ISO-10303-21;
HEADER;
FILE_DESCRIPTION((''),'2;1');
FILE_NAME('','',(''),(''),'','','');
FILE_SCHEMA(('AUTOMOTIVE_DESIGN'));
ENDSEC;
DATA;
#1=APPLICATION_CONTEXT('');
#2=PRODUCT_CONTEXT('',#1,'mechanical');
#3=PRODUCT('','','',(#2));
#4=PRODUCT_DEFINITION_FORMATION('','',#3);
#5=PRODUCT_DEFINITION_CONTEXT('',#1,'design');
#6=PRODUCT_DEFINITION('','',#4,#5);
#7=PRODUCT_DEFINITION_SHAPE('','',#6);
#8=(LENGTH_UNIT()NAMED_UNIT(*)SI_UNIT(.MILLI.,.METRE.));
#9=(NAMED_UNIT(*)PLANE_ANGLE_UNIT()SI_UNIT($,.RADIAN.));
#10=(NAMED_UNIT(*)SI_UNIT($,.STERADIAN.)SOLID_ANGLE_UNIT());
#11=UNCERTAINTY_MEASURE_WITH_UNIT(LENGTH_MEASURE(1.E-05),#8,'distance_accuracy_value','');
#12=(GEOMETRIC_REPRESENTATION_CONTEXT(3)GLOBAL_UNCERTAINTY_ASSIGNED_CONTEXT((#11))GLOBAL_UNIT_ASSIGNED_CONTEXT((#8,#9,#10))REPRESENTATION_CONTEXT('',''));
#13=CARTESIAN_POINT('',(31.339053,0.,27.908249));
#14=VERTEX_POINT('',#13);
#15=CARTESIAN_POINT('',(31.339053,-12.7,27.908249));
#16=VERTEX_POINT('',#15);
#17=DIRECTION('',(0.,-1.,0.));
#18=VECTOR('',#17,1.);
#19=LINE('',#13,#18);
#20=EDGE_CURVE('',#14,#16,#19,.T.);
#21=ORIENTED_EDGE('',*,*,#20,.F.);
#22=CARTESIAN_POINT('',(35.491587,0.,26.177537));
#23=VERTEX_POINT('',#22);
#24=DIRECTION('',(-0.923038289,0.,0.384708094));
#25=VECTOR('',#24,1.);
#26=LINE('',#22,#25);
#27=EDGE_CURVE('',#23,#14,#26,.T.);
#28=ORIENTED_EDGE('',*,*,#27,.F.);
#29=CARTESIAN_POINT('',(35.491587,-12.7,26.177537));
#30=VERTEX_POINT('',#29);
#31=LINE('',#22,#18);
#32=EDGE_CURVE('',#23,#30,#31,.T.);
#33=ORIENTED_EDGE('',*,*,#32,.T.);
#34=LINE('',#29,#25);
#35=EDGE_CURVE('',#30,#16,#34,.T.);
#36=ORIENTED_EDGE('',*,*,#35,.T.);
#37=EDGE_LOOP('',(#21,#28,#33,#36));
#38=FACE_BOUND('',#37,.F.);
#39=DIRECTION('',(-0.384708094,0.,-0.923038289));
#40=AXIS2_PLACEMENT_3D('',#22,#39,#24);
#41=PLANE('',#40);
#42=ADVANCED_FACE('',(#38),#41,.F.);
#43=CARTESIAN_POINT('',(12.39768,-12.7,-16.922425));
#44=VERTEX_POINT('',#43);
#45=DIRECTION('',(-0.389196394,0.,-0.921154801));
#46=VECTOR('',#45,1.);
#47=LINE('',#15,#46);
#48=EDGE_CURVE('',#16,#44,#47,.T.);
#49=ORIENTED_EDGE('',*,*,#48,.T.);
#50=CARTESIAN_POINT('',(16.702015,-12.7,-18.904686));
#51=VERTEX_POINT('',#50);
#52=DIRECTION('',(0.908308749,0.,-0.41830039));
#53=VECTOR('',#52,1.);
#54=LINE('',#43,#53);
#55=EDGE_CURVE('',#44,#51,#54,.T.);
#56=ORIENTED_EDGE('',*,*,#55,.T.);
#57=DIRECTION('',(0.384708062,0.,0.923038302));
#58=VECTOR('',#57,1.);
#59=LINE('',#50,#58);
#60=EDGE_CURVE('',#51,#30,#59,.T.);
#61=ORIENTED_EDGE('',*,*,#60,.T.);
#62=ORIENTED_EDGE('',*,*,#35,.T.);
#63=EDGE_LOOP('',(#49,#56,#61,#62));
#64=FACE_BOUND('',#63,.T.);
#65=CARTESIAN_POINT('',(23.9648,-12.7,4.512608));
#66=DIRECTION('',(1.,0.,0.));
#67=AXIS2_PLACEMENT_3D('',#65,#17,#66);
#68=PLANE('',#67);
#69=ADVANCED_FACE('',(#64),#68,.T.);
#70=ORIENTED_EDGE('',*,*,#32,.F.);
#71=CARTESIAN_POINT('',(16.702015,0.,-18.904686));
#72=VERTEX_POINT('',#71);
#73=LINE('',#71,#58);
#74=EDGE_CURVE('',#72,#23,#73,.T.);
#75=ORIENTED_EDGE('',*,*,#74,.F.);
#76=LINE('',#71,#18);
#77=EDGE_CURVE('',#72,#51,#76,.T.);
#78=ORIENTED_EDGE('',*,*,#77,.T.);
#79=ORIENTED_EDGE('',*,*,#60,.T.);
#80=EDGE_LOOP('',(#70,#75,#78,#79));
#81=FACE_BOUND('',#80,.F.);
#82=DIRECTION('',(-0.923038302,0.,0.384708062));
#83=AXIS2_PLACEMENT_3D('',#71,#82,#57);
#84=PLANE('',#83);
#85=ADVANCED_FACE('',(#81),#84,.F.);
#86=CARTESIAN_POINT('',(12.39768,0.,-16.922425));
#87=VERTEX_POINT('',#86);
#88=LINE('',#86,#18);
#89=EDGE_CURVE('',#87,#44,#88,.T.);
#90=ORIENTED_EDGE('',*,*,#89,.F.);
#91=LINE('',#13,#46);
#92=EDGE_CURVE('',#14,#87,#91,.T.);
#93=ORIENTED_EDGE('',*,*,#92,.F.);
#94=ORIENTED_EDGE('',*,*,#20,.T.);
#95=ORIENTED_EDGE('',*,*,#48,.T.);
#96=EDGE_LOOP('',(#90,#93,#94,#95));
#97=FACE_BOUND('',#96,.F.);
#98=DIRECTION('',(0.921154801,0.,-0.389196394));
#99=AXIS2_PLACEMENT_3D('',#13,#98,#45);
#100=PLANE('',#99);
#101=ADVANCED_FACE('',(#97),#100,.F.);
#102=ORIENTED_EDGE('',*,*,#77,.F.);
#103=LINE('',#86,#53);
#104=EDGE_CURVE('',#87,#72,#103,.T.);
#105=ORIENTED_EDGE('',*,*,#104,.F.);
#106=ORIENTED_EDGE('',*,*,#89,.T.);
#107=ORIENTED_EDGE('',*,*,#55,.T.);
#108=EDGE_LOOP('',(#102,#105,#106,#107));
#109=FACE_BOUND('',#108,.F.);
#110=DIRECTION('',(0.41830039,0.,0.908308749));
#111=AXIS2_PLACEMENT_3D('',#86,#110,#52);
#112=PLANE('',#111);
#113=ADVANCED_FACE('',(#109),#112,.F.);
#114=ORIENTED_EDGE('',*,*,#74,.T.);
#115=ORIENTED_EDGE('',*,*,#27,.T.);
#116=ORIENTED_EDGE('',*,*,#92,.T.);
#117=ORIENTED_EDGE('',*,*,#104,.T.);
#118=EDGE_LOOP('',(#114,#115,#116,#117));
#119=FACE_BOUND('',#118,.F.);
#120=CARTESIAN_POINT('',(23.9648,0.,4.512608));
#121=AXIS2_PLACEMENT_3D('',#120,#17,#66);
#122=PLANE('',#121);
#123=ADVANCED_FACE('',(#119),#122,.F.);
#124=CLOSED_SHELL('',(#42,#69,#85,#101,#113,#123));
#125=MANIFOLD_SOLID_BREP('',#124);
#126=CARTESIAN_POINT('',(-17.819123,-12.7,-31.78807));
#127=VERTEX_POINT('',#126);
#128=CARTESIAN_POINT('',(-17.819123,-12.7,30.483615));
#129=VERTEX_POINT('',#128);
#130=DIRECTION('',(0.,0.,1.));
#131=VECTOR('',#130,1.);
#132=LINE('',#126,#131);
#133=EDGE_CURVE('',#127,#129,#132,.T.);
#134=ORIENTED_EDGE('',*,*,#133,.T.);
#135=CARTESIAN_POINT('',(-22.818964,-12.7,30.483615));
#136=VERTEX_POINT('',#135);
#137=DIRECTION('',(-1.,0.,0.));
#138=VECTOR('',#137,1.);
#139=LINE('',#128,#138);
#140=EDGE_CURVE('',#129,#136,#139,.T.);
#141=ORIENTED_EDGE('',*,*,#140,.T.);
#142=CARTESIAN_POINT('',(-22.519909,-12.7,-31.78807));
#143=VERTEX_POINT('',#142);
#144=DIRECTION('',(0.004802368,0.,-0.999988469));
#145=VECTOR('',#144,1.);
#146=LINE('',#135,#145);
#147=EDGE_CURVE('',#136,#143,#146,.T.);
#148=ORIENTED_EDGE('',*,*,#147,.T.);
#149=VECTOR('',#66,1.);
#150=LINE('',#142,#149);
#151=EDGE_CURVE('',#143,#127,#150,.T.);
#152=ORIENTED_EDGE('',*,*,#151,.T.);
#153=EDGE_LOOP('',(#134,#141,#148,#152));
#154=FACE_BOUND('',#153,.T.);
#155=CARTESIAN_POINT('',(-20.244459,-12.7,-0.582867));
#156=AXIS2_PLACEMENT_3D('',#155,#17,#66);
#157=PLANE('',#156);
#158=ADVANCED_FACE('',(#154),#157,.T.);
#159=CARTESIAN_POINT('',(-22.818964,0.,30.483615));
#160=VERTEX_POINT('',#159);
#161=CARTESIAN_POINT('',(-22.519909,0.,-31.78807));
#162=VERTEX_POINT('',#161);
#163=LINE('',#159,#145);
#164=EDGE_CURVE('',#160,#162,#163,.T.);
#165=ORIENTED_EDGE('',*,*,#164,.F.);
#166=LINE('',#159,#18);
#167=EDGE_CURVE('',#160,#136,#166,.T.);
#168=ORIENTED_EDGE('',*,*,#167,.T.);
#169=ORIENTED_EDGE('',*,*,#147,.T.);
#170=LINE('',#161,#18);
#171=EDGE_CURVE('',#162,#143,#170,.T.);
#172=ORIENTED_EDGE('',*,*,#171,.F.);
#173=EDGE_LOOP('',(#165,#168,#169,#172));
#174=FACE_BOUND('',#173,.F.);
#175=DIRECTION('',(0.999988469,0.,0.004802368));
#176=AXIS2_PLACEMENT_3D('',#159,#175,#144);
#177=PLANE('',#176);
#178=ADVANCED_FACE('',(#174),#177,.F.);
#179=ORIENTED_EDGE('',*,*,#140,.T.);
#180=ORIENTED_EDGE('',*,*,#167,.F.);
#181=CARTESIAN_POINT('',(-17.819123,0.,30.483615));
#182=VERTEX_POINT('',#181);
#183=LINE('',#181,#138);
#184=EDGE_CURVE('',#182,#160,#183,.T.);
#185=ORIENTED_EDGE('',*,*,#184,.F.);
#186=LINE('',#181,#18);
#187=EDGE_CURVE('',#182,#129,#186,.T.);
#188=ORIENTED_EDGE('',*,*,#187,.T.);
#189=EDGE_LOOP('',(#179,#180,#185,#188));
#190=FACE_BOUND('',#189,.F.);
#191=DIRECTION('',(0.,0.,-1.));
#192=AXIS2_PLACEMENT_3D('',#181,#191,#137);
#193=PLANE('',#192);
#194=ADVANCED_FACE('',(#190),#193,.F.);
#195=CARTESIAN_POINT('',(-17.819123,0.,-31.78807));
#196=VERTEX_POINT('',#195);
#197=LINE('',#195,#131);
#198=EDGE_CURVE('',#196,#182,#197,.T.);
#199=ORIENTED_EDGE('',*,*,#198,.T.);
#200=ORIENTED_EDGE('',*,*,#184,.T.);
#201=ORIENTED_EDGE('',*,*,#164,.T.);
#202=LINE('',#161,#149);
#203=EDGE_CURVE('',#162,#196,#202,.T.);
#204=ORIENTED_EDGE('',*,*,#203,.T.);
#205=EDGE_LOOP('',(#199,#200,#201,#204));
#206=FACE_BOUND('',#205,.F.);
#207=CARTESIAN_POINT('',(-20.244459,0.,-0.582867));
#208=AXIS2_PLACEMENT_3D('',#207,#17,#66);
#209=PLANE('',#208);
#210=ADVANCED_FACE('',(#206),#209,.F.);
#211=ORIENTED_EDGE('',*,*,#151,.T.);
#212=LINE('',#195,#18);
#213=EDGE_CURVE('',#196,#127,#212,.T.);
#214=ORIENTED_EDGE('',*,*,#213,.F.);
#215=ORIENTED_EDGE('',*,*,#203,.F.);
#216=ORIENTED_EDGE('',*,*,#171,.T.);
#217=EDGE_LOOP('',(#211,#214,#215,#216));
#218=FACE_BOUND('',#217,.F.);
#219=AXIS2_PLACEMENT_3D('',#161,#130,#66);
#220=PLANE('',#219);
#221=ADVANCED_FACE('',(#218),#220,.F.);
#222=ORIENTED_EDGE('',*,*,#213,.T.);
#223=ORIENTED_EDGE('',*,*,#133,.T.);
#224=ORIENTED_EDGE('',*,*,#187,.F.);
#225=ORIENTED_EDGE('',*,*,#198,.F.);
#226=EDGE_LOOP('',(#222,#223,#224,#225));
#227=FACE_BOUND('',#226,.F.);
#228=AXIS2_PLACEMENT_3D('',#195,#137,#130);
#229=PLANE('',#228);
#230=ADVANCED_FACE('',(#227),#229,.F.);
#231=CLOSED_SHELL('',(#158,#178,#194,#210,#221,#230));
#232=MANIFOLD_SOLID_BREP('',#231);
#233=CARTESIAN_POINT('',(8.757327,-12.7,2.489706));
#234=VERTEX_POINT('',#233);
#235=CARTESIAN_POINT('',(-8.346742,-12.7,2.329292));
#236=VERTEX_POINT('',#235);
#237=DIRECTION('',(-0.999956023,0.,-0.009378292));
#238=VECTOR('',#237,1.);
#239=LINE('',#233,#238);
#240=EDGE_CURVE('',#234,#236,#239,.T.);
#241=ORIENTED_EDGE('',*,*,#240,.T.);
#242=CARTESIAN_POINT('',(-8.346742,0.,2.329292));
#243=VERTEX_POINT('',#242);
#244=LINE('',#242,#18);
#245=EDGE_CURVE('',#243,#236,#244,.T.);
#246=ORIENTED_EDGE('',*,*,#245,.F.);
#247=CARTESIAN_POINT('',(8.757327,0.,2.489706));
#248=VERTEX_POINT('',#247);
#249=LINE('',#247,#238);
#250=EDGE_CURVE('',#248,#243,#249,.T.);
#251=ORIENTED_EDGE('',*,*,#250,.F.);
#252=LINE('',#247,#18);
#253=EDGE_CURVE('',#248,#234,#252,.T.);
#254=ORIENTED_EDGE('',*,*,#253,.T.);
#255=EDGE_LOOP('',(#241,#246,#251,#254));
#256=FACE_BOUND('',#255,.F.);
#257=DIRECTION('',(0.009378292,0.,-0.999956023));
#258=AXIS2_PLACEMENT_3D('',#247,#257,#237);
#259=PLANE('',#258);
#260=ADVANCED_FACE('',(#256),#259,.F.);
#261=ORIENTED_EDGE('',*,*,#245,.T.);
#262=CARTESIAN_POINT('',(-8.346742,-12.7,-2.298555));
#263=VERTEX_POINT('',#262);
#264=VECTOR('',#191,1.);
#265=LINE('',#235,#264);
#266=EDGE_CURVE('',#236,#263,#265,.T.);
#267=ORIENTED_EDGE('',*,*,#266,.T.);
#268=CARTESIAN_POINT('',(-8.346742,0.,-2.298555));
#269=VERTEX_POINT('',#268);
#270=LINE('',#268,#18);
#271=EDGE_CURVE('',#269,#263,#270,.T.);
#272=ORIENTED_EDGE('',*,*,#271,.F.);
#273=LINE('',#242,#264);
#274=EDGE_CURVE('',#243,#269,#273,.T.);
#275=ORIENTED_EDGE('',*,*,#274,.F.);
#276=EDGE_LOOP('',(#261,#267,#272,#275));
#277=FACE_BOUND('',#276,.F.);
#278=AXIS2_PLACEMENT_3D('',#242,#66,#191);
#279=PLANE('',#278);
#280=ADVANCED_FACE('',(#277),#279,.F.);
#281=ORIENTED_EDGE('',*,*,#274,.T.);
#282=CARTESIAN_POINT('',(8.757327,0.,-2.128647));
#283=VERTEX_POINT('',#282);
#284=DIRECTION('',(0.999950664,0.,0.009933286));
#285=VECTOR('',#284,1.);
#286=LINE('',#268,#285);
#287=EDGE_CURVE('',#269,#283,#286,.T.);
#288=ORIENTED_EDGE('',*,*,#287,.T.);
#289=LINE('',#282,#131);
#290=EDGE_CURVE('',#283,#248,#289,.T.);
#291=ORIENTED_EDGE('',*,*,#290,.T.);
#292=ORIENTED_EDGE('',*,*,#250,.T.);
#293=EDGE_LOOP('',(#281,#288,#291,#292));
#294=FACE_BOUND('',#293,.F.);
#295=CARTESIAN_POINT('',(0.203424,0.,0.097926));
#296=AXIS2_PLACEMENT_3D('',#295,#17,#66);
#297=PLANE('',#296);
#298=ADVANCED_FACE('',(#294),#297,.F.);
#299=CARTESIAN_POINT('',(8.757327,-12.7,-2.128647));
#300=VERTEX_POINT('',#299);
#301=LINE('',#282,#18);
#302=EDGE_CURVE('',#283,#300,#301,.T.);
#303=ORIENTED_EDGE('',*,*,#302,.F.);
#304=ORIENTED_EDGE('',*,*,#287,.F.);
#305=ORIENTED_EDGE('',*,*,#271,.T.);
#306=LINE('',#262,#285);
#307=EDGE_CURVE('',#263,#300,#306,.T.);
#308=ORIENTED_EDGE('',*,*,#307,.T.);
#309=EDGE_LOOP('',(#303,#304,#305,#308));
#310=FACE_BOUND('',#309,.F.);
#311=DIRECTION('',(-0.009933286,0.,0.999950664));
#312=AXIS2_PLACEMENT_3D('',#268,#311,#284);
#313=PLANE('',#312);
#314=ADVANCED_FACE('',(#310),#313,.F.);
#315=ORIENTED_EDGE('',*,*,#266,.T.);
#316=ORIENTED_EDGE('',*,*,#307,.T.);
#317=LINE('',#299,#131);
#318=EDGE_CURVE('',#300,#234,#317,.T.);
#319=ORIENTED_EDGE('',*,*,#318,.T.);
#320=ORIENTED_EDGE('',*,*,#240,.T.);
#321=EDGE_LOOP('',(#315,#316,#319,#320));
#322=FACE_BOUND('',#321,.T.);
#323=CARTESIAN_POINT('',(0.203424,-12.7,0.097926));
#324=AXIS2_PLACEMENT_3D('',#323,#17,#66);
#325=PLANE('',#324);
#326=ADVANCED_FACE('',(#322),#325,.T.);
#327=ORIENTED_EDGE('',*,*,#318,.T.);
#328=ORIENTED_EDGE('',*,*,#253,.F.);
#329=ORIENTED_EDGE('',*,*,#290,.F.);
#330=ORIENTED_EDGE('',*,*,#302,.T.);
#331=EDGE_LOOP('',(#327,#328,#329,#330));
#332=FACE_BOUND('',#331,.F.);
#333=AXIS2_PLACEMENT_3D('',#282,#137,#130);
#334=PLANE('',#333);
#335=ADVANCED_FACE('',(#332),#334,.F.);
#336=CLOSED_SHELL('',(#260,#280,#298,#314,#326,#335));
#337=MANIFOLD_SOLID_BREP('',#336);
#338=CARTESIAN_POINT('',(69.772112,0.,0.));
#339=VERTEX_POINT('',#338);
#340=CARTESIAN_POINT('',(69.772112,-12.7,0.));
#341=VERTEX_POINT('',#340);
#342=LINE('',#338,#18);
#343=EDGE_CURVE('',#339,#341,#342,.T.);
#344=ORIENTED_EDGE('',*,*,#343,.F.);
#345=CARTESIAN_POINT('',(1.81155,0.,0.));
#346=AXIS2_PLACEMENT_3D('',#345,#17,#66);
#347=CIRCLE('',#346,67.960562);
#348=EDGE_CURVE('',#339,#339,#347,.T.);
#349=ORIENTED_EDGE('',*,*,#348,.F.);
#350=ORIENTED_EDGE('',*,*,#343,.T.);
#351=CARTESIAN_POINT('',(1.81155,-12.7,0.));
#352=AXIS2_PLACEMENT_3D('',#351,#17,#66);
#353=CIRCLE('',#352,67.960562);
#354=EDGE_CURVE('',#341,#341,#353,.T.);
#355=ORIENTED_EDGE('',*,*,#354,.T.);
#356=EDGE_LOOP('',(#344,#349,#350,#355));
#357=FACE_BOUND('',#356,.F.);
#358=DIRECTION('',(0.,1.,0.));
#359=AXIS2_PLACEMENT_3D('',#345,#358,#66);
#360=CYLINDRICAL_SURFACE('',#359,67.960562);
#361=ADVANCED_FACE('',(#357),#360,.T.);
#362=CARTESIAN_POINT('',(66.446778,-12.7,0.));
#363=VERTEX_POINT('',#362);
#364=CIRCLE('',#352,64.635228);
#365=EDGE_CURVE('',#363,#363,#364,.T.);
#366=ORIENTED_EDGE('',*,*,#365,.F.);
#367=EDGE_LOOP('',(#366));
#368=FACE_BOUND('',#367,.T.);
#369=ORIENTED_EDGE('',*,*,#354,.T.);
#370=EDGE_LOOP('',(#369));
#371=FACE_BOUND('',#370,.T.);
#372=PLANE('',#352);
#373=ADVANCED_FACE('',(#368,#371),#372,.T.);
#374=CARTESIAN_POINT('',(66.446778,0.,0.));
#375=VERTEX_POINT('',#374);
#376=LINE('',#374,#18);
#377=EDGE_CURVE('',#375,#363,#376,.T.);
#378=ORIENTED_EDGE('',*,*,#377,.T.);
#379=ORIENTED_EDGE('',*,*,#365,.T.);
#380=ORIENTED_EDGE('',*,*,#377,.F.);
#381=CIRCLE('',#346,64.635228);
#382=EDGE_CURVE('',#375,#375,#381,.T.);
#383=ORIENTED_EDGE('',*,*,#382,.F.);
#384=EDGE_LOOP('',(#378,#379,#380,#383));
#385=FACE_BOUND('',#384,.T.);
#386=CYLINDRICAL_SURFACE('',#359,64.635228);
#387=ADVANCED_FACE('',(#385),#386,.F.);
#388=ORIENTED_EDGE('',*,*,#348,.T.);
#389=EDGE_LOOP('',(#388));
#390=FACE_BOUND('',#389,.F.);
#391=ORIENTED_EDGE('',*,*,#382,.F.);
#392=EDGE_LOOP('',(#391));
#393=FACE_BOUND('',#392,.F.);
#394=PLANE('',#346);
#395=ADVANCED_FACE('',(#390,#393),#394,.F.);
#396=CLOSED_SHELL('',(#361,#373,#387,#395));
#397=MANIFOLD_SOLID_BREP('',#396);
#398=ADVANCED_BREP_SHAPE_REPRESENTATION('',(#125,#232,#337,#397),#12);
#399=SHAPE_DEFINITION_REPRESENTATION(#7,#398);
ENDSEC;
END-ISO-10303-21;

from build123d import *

# Parameters (mm, degrees)
F0_R     = 67.960562
F0_R_2   = 64.635228
F1_DEPTH = 12.7


with BuildPart() as f1:
    # F0 (on Front) → F1 (new body)
    with BuildSketch(Plane.XZ):
        with Locations((1.81155, 0)):
            Circle(F0_R)
        with Locations((1.81155, 0)):
            Circle(F0_R_2, mode=Mode.SUBTRACT)
        Polygon((31.339053, 27.908249), (12.39768, -16.922425), (16.702015, -18.904686), (35.491587, 26.177537), align=None)
        Polygon((8.757327, 2.489706), (-8.346742, 2.329292), (-8.346742, -2.298555), (8.757327, -2.128647), align=None)
        Polygon((-17.819123, 30.483615), (-22.818964, 30.483615), (-22.519909, -31.78807), (-17.819123, -31.78807), align=None)
    extrude(amount=F1_DEPTH)


solid = f1.part
